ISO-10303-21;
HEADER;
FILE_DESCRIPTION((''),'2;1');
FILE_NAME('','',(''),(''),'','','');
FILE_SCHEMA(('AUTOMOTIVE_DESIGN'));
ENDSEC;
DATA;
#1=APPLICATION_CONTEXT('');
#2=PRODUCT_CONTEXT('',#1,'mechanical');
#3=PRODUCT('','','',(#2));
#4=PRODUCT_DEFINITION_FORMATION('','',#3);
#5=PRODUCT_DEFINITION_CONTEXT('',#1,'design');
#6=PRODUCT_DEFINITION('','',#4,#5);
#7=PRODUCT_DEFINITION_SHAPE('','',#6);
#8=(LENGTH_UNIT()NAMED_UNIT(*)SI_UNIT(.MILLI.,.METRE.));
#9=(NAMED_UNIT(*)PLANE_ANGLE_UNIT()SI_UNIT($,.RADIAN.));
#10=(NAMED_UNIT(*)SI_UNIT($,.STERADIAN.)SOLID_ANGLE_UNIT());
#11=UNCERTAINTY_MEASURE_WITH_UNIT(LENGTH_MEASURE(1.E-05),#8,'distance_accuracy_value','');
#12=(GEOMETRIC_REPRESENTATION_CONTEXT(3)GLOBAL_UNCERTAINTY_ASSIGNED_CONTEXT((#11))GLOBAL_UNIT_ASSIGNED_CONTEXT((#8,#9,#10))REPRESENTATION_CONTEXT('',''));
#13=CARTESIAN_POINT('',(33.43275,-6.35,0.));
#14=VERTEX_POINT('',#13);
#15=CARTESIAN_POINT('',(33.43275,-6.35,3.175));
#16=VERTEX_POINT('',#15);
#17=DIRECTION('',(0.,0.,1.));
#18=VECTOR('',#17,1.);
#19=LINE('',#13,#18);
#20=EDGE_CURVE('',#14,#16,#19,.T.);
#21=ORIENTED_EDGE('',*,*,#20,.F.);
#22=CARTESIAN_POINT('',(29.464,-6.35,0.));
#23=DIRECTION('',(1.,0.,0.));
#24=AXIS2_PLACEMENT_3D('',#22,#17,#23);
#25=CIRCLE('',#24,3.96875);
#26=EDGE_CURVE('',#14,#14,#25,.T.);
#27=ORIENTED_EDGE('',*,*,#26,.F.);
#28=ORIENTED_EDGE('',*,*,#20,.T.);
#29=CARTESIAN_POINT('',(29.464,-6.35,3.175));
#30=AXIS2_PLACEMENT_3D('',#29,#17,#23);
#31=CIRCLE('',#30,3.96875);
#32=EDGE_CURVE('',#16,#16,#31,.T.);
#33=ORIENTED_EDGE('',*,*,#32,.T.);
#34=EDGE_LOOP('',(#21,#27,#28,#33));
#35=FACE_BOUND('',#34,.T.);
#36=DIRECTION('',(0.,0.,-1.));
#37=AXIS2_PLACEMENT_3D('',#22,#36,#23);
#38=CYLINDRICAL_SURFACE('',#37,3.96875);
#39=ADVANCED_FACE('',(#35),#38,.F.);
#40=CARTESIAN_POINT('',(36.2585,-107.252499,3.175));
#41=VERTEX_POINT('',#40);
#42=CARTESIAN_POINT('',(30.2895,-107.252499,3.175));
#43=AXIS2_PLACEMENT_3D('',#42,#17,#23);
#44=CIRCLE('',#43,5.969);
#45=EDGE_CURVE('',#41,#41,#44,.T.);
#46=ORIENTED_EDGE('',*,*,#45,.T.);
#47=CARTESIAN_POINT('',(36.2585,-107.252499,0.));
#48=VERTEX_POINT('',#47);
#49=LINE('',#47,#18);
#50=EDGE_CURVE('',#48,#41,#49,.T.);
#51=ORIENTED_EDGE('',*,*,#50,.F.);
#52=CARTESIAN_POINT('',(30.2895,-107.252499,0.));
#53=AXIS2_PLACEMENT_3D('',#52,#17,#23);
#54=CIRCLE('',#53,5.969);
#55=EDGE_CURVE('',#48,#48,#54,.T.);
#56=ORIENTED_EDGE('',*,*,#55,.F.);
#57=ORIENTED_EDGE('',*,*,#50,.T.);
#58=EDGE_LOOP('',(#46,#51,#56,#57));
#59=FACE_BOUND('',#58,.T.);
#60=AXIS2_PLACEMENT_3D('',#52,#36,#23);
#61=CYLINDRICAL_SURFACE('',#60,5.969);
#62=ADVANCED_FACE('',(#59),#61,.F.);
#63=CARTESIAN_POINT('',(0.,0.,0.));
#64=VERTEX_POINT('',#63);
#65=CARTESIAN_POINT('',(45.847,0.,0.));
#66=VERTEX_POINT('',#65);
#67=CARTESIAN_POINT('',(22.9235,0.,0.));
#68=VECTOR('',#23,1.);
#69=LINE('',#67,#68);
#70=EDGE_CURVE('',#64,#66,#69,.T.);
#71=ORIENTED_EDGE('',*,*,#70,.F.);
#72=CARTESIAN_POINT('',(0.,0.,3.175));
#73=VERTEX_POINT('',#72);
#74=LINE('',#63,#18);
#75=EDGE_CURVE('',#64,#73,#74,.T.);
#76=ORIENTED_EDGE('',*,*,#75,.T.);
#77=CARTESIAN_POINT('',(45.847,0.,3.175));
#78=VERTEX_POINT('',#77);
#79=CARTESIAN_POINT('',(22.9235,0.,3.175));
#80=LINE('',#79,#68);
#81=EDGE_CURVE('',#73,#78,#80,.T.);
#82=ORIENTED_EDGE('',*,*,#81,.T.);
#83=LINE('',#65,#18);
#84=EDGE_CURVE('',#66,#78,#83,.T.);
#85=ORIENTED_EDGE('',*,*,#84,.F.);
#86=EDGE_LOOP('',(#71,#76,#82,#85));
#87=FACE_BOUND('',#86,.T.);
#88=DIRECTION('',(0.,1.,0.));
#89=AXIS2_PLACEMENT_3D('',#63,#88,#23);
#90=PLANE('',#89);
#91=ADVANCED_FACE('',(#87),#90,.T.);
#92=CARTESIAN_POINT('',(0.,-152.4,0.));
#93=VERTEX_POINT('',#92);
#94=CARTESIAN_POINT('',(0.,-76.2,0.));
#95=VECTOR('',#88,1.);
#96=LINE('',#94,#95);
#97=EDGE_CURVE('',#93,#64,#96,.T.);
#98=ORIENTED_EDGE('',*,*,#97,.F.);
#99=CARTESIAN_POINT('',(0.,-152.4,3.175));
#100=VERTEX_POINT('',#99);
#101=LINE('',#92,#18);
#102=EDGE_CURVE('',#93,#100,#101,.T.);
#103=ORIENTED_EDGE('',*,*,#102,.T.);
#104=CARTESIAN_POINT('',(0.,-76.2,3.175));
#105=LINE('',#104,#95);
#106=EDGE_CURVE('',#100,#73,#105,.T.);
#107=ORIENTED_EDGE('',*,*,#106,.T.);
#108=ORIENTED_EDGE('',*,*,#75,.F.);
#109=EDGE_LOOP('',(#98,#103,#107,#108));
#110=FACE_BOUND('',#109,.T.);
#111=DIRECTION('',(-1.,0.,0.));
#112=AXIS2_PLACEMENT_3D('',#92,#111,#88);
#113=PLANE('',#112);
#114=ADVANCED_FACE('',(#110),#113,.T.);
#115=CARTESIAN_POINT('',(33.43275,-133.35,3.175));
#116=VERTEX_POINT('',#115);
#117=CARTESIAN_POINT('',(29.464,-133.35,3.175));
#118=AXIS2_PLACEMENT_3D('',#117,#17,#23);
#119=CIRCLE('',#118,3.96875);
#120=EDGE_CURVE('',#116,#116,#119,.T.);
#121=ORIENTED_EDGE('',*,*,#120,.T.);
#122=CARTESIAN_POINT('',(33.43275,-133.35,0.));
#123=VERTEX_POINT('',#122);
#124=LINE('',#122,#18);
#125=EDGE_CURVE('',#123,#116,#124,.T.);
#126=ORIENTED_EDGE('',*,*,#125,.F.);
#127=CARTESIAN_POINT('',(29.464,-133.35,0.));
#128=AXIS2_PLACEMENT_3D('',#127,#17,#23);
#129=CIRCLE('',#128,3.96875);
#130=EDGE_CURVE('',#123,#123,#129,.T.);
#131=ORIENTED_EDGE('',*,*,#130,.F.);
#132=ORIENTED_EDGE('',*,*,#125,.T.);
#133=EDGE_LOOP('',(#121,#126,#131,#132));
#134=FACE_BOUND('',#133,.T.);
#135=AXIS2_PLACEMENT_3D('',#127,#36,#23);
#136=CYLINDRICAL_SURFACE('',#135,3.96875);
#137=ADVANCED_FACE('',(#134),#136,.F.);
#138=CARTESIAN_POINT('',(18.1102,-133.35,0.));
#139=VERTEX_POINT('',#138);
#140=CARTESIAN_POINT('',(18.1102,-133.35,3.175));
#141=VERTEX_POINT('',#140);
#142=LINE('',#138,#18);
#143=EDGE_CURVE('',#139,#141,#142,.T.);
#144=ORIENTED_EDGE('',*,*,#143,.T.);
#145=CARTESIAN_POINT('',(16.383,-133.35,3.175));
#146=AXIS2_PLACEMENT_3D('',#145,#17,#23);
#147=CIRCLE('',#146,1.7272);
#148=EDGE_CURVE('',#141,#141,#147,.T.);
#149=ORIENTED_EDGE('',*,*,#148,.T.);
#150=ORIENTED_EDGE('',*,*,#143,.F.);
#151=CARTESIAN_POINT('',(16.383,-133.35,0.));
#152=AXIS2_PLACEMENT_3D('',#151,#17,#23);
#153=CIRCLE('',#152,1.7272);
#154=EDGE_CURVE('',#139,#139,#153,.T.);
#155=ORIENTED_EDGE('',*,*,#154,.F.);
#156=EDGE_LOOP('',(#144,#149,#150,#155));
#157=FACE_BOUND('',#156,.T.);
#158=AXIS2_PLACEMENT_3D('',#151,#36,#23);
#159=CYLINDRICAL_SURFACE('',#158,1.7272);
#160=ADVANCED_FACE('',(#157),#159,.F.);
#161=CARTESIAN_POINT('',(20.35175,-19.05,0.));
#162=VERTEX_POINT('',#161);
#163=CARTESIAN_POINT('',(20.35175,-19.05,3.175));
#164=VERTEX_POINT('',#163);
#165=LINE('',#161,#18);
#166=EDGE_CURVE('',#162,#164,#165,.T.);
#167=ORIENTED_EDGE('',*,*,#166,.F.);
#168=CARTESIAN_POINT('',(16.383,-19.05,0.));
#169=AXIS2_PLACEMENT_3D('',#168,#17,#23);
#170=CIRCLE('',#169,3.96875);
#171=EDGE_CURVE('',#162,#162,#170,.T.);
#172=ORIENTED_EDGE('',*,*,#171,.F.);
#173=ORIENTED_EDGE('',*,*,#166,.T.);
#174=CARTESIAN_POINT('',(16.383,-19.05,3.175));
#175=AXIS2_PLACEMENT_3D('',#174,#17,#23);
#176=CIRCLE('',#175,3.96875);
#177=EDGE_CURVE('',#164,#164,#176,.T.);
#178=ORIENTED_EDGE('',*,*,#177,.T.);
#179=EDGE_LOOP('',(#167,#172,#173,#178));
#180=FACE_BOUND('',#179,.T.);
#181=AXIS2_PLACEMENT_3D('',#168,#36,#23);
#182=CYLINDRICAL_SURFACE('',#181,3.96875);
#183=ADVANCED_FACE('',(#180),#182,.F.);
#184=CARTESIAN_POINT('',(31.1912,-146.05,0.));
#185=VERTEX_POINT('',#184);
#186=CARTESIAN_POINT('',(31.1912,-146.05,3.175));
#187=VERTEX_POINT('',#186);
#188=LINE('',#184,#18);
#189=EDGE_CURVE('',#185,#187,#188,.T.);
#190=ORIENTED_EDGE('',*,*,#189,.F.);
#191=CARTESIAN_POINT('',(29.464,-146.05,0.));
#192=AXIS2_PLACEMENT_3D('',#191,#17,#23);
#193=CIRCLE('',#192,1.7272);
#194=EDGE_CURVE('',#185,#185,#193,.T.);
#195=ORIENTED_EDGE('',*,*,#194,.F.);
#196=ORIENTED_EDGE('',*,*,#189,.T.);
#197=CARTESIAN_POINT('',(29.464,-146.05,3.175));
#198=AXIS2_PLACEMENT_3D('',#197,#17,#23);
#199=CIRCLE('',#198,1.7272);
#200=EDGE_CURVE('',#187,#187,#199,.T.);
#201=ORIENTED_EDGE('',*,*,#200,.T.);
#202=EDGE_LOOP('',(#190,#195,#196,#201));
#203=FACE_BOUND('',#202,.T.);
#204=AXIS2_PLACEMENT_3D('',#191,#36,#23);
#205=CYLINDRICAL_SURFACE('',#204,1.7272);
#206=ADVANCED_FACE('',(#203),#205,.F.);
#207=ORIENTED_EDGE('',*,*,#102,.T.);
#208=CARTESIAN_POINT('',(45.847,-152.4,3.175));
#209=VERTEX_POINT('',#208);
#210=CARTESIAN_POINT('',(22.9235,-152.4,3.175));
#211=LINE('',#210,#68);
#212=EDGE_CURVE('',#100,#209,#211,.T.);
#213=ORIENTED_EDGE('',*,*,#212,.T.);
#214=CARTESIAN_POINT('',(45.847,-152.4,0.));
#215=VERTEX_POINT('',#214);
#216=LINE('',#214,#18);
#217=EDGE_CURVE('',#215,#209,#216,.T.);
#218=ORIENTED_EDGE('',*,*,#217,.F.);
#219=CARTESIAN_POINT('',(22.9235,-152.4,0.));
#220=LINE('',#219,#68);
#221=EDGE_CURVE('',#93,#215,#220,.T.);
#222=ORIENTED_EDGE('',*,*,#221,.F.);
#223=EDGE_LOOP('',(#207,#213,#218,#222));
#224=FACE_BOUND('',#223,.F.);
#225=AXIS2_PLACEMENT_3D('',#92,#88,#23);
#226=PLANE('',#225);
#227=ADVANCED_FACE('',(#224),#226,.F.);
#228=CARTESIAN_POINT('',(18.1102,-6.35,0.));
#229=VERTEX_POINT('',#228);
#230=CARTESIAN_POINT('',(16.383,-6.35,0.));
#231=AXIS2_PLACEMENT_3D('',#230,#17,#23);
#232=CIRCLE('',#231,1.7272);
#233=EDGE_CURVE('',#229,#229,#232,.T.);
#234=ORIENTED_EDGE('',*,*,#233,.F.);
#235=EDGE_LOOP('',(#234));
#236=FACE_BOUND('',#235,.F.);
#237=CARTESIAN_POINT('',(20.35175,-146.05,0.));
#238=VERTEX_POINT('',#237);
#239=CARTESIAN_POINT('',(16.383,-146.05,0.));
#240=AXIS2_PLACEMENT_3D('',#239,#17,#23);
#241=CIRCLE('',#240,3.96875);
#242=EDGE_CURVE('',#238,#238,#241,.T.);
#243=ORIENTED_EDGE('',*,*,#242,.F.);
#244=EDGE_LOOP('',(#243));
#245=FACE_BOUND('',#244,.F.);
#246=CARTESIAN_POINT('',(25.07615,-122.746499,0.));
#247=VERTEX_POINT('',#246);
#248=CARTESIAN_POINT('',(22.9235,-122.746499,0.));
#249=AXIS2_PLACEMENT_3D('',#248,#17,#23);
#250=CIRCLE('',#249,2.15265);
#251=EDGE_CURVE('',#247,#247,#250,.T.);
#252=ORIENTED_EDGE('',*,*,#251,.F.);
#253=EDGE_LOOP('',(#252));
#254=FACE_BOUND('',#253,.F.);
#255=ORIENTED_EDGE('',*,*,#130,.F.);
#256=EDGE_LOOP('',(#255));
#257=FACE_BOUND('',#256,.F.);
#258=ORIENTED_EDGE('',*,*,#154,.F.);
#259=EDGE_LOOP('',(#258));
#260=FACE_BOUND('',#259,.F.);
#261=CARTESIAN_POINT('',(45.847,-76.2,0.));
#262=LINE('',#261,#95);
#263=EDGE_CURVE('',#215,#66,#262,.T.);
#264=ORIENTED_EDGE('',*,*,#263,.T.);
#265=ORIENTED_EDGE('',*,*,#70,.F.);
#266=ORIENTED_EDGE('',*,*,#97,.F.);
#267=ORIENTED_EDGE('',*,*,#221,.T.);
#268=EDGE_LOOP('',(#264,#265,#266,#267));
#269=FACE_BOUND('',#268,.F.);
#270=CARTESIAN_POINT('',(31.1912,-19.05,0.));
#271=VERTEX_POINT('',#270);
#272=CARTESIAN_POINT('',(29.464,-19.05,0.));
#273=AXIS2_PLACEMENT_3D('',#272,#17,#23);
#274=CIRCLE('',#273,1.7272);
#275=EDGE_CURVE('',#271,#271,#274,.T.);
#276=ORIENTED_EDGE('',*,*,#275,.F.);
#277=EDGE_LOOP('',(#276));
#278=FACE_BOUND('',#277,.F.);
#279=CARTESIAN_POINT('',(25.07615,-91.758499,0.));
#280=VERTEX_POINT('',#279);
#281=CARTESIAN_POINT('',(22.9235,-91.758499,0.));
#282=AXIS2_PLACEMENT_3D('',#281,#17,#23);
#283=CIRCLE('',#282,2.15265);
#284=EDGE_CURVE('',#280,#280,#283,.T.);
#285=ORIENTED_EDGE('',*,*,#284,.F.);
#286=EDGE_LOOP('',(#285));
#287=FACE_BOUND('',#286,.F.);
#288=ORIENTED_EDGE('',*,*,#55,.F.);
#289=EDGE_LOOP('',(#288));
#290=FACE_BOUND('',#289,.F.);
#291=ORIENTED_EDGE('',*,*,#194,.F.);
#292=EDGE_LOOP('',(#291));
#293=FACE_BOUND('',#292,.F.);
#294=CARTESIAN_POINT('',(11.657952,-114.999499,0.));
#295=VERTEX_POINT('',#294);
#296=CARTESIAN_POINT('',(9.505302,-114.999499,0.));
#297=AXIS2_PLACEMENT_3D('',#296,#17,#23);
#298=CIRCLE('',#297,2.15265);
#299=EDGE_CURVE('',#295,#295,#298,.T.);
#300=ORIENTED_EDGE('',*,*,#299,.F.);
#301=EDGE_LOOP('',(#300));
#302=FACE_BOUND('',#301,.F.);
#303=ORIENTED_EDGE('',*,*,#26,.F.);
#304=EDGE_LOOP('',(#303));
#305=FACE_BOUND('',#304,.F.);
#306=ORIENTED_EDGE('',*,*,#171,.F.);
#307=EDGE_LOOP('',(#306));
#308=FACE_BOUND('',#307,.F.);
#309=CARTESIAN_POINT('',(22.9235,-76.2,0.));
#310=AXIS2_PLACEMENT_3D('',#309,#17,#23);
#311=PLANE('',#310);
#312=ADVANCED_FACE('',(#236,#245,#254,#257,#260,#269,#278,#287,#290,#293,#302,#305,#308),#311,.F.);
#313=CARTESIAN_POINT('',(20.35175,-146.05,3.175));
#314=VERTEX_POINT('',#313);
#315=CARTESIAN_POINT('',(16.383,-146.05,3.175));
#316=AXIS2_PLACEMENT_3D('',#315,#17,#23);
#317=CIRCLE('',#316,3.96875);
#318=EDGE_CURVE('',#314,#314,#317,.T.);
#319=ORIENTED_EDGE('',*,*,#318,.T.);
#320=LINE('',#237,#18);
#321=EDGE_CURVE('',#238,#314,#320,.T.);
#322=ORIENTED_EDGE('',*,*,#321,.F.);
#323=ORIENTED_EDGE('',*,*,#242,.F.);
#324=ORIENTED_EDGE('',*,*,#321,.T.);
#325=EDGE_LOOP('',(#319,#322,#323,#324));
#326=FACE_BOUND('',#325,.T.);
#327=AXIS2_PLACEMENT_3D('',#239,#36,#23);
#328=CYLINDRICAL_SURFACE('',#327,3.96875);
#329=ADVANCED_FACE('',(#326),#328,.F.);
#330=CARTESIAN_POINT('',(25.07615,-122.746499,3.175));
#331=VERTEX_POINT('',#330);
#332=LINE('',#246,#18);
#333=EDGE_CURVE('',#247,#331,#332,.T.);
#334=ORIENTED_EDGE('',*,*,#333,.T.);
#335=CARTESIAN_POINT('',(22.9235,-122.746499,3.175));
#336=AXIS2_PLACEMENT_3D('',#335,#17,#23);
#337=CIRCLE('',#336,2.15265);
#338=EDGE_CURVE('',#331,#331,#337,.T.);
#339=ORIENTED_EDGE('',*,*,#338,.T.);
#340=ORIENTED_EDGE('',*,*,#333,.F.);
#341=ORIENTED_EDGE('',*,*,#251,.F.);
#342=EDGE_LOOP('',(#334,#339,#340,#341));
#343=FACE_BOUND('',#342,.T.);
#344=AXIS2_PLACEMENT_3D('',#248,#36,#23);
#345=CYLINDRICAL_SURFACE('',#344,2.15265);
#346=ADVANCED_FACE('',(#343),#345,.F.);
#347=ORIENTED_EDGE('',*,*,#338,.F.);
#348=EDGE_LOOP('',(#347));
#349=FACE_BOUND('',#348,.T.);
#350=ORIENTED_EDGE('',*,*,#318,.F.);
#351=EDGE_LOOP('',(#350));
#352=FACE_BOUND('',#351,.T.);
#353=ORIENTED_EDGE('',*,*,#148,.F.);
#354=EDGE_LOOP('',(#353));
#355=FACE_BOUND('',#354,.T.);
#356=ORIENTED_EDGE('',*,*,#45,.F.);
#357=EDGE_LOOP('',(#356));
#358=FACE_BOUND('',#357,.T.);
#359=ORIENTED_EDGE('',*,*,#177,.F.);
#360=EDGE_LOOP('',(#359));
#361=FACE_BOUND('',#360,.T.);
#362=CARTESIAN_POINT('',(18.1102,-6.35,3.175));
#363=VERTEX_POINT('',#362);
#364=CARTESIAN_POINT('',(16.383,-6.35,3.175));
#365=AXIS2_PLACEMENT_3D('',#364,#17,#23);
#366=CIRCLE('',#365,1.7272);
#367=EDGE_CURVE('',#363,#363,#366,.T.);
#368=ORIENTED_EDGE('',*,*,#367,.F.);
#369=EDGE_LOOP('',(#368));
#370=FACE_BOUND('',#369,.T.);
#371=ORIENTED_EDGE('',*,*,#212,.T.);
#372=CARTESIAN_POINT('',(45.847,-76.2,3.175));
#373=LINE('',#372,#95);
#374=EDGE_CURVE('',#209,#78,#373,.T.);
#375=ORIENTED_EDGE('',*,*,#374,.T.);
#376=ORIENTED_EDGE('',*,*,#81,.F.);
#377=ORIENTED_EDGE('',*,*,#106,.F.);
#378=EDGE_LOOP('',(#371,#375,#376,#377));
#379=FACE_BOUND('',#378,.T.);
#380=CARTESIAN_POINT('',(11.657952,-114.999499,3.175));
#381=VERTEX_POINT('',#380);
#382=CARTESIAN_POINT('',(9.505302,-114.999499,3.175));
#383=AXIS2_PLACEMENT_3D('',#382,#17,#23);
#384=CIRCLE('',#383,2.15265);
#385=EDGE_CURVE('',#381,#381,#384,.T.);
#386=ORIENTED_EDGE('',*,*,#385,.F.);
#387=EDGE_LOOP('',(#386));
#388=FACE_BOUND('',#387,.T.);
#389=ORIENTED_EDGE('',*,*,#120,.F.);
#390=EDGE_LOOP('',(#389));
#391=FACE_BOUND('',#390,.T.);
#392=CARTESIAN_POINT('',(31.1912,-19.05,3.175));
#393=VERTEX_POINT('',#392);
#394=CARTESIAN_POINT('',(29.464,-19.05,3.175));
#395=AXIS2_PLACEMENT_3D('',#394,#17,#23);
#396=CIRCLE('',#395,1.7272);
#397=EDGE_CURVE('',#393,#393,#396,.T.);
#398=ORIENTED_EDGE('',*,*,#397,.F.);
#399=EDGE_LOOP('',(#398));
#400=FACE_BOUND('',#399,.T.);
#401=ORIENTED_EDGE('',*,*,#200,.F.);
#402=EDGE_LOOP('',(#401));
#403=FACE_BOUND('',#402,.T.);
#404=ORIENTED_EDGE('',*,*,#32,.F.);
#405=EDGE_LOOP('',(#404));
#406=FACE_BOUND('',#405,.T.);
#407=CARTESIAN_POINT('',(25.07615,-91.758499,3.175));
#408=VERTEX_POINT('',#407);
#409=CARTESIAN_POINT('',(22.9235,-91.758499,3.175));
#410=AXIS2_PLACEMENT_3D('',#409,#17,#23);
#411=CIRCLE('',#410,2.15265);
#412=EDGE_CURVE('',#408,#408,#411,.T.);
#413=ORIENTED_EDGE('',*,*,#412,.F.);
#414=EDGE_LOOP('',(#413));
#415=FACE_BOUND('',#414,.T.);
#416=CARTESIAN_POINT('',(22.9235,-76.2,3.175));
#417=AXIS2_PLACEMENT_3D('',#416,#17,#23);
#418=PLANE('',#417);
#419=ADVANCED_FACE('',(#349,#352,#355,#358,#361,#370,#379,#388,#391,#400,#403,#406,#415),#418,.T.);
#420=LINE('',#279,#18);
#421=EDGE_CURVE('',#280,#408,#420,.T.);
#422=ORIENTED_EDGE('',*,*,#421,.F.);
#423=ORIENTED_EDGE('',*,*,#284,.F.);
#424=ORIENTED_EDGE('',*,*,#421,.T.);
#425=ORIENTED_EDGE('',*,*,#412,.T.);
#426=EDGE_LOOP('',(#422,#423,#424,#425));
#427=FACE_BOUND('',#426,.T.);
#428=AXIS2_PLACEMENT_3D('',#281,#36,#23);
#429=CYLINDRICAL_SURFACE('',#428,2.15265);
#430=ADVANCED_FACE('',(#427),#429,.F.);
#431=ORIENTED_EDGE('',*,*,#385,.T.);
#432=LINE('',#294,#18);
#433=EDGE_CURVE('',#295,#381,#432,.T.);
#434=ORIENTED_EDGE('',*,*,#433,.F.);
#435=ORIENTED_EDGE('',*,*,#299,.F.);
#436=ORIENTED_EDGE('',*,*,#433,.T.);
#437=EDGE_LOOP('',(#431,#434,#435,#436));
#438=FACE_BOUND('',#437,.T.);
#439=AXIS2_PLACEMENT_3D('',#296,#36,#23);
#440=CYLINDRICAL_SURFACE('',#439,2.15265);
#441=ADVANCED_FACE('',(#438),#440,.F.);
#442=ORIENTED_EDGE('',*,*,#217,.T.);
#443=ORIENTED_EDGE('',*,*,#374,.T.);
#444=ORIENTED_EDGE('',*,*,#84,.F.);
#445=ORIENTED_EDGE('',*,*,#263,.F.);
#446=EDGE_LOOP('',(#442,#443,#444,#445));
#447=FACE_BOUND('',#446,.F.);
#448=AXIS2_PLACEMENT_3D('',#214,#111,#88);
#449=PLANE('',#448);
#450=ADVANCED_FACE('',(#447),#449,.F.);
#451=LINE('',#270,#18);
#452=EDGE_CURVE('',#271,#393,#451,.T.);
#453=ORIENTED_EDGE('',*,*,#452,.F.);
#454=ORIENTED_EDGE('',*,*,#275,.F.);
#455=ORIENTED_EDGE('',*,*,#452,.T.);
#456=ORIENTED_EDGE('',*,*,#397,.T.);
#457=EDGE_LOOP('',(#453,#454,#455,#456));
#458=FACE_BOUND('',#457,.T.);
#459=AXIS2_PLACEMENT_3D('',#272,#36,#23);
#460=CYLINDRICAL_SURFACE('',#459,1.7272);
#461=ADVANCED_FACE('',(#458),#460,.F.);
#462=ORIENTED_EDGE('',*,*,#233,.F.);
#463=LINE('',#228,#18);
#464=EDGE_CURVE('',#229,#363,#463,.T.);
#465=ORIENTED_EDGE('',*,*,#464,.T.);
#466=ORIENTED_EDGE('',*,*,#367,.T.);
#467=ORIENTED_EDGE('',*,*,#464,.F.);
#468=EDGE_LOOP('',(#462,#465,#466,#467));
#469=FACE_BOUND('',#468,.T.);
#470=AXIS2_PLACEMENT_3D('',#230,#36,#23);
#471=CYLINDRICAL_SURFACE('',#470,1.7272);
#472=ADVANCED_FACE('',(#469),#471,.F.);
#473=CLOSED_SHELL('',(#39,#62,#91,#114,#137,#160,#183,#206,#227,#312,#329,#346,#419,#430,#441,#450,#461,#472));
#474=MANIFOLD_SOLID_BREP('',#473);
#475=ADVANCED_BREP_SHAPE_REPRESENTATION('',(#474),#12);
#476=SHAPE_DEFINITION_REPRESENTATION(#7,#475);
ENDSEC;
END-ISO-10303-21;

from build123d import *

# Parameters (mm, degrees)
F0_W     = 45.847
F0_H     = 152.4
F0_R     = 2.15265
F0_R_2   = 3.96875
F0_R_3   = 1.7272
F0_R_4   = 5.969
F1_DEPTH = 3.175


with BuildPart() as f1:
    # F0 (on Top) → F1 (new body)
    with BuildSketch(Plane.XY):
        with Locations((22.9235, -76.2)):
            Rectangle(F0_W, F0_H)
        with Locations((9.505302, -114.999499)):
            Circle(F0_R, mode=Mode.SUBTRACT)
        with Locations((16.383, -146.05)):
            Circle(F0_R_2, mode=Mode.SUBTRACT)
        with Locations((16.383, -133.35)):
            Circle(F0_R_3, mode=Mode.SUBTRACT)
        with Locations((29.464, -146.05)):
            Circle(F0_R_3, mode=Mode.SUBTRACT)
        with Locations((22.9235, -122.746499)):
            Circle(F0_R, mode=Mode.SUBTRACT)
        with Locations((29.464, -133.35)):
            Circle(F0_R_2, mode=Mode.SUBTRACT)
        with Locations((30.2895, -107.252499)):
            Circle(F0_R_4, mode=Mode.SUBTRACT)
        with Locations((22.9235, -91.758499)):
            Circle(F0_R, mode=Mode.SUBTRACT)
        with Locations((16.383, -19.05)):
            Circle(F0_R_2, mode=Mode.SUBTRACT)
        with Locations((16.383, -6.35)):
            Circle(F0_R_3, mode=Mode.SUBTRACT)
        with Locations((29.464, -19.05)):
            Circle(F0_R_3, mode=Mode.SUBTRACT)
        with Locations((29.464, -6.35)):
            Circle(F0_R_2, mode=Mode.SUBTRACT)
    extrude(amount=F1_DEPTH)


solid = f1.part
